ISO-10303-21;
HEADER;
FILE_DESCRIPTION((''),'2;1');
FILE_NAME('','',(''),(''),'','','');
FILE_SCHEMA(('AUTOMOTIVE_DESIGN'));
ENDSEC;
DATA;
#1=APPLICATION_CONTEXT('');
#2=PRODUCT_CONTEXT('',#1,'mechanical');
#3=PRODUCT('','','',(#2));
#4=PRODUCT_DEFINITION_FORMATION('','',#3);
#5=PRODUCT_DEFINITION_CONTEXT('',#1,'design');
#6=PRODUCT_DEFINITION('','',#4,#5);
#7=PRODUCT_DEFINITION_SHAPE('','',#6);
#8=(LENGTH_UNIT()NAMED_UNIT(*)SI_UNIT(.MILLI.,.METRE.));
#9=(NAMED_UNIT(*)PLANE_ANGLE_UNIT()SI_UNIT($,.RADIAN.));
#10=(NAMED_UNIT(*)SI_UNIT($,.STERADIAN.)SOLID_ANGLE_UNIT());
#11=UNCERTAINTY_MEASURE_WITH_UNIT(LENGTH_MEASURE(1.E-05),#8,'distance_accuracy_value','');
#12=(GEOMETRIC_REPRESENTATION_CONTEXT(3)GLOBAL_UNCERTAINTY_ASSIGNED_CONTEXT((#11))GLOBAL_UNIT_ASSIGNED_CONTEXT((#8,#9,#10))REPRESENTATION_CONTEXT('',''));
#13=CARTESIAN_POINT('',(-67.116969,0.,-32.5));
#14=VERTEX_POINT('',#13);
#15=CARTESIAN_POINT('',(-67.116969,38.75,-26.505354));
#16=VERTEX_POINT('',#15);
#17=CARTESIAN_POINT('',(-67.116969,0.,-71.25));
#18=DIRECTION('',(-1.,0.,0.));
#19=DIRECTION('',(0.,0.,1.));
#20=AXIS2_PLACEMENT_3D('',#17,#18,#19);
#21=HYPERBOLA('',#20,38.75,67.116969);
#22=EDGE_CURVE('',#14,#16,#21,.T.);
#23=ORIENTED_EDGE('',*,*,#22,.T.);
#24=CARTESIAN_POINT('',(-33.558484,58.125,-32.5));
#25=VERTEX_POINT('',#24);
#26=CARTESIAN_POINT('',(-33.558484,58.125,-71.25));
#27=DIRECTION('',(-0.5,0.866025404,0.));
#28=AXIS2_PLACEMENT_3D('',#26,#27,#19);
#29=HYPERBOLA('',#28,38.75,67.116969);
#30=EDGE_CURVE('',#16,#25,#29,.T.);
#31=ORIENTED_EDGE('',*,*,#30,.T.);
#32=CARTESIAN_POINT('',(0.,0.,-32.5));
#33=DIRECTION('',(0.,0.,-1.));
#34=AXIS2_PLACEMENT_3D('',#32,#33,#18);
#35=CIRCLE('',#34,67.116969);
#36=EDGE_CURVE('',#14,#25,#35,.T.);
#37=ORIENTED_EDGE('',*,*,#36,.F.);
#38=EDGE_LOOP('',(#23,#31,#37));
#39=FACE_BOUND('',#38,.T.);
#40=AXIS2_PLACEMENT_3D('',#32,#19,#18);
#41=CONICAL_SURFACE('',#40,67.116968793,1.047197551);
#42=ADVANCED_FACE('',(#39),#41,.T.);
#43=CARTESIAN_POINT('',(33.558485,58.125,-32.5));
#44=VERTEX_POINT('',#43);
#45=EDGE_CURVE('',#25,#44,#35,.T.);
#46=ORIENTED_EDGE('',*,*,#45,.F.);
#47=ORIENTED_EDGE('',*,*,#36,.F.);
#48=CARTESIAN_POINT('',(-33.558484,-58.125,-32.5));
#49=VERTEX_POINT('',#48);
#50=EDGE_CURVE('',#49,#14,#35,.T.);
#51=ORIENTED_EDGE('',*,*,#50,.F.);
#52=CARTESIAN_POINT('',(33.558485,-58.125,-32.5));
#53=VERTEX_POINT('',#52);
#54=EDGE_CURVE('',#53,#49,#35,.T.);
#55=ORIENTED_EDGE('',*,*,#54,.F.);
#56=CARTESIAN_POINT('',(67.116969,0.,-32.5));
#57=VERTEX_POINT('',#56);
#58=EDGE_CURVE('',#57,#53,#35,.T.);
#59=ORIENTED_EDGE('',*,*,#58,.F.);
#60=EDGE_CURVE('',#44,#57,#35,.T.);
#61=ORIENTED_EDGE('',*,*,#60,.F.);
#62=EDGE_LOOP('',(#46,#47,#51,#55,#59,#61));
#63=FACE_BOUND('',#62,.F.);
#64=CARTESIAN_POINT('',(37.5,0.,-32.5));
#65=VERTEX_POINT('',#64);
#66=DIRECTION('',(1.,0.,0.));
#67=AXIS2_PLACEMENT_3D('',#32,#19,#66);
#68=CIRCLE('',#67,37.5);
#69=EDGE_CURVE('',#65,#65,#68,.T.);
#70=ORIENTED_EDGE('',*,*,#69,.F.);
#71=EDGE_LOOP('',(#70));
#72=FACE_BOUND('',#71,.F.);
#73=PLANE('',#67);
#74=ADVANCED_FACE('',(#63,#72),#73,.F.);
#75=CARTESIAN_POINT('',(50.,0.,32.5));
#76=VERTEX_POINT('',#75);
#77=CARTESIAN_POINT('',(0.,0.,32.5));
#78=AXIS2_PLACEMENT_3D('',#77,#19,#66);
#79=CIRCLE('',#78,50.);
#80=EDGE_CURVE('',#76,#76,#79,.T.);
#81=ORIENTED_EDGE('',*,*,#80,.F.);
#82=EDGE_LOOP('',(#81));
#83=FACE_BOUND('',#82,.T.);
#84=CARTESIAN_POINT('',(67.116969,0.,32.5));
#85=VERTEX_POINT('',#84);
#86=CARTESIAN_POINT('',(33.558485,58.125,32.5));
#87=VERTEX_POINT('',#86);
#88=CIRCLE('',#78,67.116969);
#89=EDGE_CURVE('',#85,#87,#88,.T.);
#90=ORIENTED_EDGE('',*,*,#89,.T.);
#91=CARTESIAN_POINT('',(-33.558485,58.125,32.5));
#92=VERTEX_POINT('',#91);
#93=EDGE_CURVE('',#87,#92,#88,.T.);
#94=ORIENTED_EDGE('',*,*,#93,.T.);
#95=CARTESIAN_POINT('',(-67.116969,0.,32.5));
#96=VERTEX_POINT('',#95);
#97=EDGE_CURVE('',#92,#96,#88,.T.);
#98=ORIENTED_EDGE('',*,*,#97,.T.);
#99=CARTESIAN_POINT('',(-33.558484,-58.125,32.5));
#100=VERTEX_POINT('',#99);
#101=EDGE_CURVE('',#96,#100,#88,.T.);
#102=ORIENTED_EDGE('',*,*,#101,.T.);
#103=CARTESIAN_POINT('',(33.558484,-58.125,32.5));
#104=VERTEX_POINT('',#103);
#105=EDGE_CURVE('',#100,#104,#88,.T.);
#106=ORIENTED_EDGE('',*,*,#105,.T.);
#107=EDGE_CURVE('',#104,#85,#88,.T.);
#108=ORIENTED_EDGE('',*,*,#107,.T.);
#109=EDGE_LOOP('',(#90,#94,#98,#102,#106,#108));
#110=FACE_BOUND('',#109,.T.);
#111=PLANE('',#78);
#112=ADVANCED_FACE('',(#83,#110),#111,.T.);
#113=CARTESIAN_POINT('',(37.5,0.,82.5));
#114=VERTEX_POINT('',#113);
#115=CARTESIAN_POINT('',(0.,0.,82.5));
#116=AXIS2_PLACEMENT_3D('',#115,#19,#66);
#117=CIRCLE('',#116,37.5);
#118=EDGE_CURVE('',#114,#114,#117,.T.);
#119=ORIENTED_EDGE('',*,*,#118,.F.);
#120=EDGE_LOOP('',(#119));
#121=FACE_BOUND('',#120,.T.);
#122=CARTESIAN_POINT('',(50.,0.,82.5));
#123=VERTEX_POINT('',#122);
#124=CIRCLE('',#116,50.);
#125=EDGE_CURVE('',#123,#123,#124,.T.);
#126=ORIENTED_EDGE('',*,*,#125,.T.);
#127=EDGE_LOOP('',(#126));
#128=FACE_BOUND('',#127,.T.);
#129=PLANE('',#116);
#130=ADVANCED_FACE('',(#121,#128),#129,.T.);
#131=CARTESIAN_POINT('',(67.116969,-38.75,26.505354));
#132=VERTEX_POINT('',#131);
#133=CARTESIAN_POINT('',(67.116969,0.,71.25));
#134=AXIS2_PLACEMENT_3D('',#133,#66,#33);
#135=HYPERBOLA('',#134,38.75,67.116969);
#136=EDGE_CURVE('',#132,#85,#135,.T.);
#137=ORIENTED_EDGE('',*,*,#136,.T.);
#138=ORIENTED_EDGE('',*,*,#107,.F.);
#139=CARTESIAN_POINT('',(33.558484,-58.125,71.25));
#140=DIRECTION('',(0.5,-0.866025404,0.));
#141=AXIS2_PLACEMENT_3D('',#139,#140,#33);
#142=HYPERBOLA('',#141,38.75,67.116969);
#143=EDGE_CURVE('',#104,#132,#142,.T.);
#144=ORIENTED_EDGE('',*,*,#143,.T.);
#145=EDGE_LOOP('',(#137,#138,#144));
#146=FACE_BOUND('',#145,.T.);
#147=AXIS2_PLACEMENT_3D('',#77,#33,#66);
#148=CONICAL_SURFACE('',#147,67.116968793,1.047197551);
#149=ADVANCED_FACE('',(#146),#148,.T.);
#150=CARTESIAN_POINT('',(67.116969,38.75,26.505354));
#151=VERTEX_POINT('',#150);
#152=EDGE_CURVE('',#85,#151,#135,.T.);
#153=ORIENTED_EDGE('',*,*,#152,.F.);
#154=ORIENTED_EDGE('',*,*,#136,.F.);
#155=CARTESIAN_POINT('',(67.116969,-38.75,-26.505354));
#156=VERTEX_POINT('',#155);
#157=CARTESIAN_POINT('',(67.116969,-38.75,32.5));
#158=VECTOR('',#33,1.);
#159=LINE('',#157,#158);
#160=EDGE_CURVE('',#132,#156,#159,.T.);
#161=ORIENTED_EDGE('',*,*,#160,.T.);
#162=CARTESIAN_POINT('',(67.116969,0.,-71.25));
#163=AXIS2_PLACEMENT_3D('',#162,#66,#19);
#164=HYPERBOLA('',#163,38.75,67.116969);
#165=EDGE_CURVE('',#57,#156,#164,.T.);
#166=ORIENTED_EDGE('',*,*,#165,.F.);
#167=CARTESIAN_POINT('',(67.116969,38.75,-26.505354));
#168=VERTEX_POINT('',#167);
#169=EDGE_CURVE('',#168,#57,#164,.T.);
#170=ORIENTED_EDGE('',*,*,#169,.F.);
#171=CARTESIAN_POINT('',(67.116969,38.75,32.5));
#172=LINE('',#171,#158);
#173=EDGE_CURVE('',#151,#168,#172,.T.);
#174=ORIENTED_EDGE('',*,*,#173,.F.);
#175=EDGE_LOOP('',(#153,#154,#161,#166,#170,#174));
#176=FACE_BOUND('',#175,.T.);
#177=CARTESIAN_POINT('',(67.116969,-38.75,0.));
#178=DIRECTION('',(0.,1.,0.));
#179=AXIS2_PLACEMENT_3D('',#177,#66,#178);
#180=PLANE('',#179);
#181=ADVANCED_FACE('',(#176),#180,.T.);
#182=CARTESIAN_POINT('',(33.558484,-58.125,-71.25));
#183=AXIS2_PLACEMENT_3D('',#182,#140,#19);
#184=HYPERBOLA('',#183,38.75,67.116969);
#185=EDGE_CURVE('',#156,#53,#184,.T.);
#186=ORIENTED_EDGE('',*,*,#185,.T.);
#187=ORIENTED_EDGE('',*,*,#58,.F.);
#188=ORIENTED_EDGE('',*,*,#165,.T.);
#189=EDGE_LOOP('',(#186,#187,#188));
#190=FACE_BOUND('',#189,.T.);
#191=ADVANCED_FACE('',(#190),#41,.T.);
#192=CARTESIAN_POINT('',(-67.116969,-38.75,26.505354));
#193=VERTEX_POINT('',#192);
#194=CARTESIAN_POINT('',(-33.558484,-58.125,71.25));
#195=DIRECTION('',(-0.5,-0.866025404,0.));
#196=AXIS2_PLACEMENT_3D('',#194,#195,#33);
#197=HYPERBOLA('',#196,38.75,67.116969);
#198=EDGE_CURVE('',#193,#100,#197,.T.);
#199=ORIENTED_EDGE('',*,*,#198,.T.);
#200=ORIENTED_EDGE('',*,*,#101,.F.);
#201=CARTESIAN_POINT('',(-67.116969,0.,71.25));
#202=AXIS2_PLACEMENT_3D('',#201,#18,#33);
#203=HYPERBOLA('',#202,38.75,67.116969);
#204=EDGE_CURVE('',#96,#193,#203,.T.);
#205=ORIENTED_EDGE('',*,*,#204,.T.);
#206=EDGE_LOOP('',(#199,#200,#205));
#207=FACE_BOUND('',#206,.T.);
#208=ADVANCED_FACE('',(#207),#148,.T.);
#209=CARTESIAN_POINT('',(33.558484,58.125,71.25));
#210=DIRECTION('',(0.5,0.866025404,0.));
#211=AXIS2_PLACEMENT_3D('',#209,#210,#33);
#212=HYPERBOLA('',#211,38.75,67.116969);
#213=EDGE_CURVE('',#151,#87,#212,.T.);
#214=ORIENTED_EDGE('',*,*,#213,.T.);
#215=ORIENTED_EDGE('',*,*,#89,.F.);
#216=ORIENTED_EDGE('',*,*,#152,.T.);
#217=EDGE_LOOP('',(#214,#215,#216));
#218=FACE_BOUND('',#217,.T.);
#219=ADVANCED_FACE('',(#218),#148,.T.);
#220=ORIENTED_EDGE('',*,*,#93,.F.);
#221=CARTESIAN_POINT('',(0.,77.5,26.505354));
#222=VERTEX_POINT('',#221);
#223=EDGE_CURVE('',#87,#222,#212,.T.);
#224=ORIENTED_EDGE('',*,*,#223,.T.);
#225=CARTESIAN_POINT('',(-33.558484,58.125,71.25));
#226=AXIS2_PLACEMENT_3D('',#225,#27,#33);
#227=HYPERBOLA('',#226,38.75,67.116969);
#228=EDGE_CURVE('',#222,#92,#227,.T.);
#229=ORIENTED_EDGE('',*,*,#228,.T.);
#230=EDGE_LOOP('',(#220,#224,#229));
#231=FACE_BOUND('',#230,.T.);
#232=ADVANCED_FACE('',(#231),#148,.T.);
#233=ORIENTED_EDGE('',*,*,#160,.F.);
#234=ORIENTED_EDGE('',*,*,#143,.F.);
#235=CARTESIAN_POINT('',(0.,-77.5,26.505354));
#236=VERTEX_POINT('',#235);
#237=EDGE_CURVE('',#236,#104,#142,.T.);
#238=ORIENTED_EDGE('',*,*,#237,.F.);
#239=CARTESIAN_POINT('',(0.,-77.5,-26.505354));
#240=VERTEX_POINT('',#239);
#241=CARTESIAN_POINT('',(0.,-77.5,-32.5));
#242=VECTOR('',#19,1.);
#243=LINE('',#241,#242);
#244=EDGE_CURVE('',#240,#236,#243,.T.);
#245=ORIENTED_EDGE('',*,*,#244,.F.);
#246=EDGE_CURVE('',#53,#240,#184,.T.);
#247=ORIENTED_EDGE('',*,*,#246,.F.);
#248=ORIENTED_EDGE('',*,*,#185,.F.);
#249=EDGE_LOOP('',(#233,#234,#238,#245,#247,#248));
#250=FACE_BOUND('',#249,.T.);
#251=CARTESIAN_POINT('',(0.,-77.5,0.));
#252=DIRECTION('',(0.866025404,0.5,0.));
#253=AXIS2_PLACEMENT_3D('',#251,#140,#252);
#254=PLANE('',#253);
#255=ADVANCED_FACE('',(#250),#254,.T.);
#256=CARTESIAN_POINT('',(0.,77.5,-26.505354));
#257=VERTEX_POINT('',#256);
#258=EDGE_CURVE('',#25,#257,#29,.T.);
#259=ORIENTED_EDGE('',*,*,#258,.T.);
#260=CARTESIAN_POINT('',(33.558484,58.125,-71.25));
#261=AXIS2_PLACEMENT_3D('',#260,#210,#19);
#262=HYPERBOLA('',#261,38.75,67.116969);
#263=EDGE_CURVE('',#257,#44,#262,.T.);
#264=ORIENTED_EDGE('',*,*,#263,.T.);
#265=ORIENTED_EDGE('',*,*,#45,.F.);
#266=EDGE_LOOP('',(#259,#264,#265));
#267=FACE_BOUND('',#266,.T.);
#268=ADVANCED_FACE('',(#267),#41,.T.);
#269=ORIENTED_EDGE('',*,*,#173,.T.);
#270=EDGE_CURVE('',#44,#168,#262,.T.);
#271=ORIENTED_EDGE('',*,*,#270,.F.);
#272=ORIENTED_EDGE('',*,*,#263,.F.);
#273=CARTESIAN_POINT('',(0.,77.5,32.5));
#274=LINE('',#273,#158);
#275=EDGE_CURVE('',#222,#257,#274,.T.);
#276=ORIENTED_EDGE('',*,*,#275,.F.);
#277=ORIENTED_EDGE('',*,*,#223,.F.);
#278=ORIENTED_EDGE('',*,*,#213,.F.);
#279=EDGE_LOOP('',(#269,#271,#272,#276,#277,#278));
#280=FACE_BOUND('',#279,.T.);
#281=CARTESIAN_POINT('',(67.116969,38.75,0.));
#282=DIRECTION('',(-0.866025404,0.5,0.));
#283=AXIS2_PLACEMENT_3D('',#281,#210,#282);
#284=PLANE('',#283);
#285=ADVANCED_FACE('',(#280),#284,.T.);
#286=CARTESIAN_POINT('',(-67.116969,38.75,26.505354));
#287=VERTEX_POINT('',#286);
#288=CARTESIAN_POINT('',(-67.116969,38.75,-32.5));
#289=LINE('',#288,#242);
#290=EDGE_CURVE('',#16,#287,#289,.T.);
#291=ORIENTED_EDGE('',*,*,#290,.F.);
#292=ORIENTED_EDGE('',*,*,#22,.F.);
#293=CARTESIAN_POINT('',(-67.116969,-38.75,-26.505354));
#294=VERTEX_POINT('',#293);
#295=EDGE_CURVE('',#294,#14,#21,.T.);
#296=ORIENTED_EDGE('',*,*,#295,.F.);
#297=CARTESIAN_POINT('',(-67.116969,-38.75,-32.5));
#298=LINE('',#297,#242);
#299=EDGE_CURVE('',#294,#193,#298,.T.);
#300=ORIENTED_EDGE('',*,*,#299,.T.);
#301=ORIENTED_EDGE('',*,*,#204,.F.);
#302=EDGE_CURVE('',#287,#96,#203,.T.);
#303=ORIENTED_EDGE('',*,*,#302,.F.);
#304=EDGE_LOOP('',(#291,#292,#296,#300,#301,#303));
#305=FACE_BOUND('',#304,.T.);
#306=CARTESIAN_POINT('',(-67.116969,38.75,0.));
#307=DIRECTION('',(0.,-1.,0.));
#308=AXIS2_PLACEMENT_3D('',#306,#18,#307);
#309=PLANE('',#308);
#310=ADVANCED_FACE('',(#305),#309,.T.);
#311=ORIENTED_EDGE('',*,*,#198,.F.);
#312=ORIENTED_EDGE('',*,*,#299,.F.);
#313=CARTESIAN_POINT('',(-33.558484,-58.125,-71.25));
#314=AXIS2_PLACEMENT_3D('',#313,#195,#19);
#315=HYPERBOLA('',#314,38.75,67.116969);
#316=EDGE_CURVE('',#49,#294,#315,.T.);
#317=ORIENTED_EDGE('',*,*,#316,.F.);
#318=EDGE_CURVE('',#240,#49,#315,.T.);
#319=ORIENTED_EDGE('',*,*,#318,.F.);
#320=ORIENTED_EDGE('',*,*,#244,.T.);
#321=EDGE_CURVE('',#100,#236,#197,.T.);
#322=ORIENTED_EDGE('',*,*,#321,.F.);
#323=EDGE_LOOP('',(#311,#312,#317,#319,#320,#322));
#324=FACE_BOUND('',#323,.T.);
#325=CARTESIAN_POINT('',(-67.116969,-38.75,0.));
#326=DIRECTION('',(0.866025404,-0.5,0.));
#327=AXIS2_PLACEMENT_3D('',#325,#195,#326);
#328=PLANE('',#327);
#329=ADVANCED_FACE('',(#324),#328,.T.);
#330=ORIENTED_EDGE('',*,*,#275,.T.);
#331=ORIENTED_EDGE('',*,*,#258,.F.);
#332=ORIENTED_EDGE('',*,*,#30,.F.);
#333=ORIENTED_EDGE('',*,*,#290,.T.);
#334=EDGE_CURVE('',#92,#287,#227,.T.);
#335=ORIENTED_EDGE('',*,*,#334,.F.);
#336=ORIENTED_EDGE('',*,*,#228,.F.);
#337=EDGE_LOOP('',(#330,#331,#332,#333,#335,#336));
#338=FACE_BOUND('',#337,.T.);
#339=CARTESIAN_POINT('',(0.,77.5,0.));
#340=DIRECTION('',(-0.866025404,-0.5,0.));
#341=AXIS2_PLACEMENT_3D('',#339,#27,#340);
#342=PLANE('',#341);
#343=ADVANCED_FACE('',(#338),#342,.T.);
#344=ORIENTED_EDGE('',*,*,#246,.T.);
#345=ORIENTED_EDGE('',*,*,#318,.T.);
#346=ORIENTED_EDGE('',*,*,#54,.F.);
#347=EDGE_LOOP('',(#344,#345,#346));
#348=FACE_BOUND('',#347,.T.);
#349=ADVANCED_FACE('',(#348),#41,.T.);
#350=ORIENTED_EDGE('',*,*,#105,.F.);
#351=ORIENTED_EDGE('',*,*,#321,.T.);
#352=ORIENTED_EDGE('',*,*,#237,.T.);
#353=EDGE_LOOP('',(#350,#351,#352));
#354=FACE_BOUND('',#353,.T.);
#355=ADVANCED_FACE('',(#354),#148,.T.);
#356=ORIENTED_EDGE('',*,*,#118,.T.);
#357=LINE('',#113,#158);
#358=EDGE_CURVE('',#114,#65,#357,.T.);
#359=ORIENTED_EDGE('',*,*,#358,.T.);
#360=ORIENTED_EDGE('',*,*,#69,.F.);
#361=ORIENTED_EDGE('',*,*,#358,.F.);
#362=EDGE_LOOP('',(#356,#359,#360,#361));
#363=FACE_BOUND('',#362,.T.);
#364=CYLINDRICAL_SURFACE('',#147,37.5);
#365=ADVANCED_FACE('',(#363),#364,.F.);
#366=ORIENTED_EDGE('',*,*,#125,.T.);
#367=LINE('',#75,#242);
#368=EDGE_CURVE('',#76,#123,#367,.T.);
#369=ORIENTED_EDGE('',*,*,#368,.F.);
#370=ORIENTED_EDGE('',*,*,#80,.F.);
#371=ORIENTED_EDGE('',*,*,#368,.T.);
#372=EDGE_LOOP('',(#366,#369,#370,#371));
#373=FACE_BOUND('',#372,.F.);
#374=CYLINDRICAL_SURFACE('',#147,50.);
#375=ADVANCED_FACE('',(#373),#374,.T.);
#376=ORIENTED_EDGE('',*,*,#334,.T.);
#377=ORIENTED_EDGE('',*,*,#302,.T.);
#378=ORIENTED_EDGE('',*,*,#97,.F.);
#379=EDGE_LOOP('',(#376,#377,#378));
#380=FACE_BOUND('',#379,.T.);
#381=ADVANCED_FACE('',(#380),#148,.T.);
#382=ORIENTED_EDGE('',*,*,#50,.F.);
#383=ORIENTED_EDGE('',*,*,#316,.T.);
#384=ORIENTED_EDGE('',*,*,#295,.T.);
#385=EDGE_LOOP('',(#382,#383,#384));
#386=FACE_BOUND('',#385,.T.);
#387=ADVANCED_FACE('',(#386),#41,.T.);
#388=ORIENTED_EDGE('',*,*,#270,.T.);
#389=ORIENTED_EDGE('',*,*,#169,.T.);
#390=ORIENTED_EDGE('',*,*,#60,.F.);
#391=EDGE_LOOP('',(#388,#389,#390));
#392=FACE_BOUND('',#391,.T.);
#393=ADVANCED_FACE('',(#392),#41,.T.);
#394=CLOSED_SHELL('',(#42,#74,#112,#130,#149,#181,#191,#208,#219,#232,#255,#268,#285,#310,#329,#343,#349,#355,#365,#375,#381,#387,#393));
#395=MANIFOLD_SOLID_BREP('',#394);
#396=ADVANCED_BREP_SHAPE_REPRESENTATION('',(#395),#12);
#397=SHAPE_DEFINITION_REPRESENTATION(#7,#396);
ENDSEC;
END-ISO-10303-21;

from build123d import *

# Parameters (mm, degrees)
SKETCH1_R           = 37.5
BOSS_EXTRUDE1_DEPTH = 32.5
SKETCH2_OUTSIDE_W   = 603.232
SKETCH2_OUTSIDE_H   = 623.998
SKETCH2_OUTSIDE_R   = 67.116968793
CUT_EXTRUDE1_DEPTH  = 122.391669813
CUT_EXTRUDE1_DRAFT  = -60
SKETCH3_OUTSIDE_W   = 603.232
SKETCH3_OUTSIDE_H   = 623.998
SKETCH3_OUTSIDE_R   = 67.116968793
CUT_EXTRUDE2_DEPTH  = 122.391669813
CUT_EXTRUDE2_DRAFT  = -60
SKETCH4_R           = 50
SKETCH4_R_2         = 37.5
BOSS_EXTRUDE2_DEPTH = 50


with BuildPart() as part:
    # Sketch1 → Boss-Extrude1 (new, symmetric)
    with BuildSketch(Plane.XY):
        Polygon((0, 77.5), (-67.116968793, 38.75), (-67.116968793, -38.75), (0, -77.5), (67.116968793, -38.75), (67.116968793, 38.75), align=None)
        Circle(SKETCH1_R, mode=Mode.SUBTRACT)
    extrude(amount=BOSS_EXTRUDE1_DEPTH, both=True)


with BuildPart() as cut_extrude1_tool:
    # Sketch2 outside → Cut-Extrude1 (with draft: the straight prism first)
    with BuildSketch(Plane.XY.offset(32.5)):
        Rectangle(SKETCH2_OUTSIDE_W, SKETCH2_OUTSIDE_H)
        Circle(SKETCH2_OUTSIDE_R, mode=Mode.SUBTRACT)
    extrude(amount=-CUT_EXTRUDE1_DEPTH)
    # Cut-Extrude1: the draft: its side faces are tilted about the plane it starts from
    cut_extrude1_sides = [cut_extrude1_tool.faces().sort_by_distance(p)[0] for p in [
        (0, -311.999, -28.695834907),
        (301.616, 0, -28.695834907),
        (0, 311.999, -28.695834907),
        (-301.616, 0, -28.695834907),
        (-67.116968793, 0, -28.695834907),
    ]]
    draft(cut_extrude1_sides, Plane.XY.offset(32.5), CUT_EXTRUDE1_DRAFT)


with BuildPart() as part_1:
    add(part.part)

    # Cut-Extrude1: cut by cut_extrude1_tool
    add(cut_extrude1_tool.part, mode=Mode.SUBTRACT)


with BuildPart() as cut_extrude2_tool:
    # Sketch3 outside → Cut-Extrude2 (with draft: the straight prism first)
    with BuildSketch(Plane(origin=(0, 0, -32.5), x_dir=(-1, 0, 0), z_dir=(0, 0, -1))):
        Rectangle(SKETCH3_OUTSIDE_W, SKETCH3_OUTSIDE_H)
        Circle(SKETCH3_OUTSIDE_R, mode=Mode.SUBTRACT)
    extrude(amount=-CUT_EXTRUDE2_DEPTH)
    # Cut-Extrude2: the draft: its side faces are tilted about the plane it starts from
    cut_extrude2_sides = [cut_extrude2_tool.faces().sort_by_distance(p)[0] for p in [
        (0, -311.999, 28.695834907),
        (-301.616, 0, 28.695834907),
        (0, 311.999, 28.695834907),
        (301.616, 0, 28.695834907),
        (67.116968793, 0, 28.695834907),
    ]]
    draft(cut_extrude2_sides, Plane(origin=(0, 0, -32.5), x_dir=(-1, 0, 0), z_dir=(0, 0, -1)), CUT_EXTRUDE2_DRAFT)


with BuildPart() as part_2:
    add(part_1.part)

    # Cut-Extrude2: cut by cut_extrude2_tool
    add(cut_extrude2_tool.part, mode=Mode.SUBTRACT)

    # Sketch4 → Boss-Extrude2 (add)
    with BuildSketch(Plane.XY.offset(32.5)):
        Circle(SKETCH4_R)
        Circle(SKETCH4_R_2, mode=Mode.SUBTRACT)
    extrude(amount=BOSS_EXTRUDE2_DEPTH)


solid = part_2.part
